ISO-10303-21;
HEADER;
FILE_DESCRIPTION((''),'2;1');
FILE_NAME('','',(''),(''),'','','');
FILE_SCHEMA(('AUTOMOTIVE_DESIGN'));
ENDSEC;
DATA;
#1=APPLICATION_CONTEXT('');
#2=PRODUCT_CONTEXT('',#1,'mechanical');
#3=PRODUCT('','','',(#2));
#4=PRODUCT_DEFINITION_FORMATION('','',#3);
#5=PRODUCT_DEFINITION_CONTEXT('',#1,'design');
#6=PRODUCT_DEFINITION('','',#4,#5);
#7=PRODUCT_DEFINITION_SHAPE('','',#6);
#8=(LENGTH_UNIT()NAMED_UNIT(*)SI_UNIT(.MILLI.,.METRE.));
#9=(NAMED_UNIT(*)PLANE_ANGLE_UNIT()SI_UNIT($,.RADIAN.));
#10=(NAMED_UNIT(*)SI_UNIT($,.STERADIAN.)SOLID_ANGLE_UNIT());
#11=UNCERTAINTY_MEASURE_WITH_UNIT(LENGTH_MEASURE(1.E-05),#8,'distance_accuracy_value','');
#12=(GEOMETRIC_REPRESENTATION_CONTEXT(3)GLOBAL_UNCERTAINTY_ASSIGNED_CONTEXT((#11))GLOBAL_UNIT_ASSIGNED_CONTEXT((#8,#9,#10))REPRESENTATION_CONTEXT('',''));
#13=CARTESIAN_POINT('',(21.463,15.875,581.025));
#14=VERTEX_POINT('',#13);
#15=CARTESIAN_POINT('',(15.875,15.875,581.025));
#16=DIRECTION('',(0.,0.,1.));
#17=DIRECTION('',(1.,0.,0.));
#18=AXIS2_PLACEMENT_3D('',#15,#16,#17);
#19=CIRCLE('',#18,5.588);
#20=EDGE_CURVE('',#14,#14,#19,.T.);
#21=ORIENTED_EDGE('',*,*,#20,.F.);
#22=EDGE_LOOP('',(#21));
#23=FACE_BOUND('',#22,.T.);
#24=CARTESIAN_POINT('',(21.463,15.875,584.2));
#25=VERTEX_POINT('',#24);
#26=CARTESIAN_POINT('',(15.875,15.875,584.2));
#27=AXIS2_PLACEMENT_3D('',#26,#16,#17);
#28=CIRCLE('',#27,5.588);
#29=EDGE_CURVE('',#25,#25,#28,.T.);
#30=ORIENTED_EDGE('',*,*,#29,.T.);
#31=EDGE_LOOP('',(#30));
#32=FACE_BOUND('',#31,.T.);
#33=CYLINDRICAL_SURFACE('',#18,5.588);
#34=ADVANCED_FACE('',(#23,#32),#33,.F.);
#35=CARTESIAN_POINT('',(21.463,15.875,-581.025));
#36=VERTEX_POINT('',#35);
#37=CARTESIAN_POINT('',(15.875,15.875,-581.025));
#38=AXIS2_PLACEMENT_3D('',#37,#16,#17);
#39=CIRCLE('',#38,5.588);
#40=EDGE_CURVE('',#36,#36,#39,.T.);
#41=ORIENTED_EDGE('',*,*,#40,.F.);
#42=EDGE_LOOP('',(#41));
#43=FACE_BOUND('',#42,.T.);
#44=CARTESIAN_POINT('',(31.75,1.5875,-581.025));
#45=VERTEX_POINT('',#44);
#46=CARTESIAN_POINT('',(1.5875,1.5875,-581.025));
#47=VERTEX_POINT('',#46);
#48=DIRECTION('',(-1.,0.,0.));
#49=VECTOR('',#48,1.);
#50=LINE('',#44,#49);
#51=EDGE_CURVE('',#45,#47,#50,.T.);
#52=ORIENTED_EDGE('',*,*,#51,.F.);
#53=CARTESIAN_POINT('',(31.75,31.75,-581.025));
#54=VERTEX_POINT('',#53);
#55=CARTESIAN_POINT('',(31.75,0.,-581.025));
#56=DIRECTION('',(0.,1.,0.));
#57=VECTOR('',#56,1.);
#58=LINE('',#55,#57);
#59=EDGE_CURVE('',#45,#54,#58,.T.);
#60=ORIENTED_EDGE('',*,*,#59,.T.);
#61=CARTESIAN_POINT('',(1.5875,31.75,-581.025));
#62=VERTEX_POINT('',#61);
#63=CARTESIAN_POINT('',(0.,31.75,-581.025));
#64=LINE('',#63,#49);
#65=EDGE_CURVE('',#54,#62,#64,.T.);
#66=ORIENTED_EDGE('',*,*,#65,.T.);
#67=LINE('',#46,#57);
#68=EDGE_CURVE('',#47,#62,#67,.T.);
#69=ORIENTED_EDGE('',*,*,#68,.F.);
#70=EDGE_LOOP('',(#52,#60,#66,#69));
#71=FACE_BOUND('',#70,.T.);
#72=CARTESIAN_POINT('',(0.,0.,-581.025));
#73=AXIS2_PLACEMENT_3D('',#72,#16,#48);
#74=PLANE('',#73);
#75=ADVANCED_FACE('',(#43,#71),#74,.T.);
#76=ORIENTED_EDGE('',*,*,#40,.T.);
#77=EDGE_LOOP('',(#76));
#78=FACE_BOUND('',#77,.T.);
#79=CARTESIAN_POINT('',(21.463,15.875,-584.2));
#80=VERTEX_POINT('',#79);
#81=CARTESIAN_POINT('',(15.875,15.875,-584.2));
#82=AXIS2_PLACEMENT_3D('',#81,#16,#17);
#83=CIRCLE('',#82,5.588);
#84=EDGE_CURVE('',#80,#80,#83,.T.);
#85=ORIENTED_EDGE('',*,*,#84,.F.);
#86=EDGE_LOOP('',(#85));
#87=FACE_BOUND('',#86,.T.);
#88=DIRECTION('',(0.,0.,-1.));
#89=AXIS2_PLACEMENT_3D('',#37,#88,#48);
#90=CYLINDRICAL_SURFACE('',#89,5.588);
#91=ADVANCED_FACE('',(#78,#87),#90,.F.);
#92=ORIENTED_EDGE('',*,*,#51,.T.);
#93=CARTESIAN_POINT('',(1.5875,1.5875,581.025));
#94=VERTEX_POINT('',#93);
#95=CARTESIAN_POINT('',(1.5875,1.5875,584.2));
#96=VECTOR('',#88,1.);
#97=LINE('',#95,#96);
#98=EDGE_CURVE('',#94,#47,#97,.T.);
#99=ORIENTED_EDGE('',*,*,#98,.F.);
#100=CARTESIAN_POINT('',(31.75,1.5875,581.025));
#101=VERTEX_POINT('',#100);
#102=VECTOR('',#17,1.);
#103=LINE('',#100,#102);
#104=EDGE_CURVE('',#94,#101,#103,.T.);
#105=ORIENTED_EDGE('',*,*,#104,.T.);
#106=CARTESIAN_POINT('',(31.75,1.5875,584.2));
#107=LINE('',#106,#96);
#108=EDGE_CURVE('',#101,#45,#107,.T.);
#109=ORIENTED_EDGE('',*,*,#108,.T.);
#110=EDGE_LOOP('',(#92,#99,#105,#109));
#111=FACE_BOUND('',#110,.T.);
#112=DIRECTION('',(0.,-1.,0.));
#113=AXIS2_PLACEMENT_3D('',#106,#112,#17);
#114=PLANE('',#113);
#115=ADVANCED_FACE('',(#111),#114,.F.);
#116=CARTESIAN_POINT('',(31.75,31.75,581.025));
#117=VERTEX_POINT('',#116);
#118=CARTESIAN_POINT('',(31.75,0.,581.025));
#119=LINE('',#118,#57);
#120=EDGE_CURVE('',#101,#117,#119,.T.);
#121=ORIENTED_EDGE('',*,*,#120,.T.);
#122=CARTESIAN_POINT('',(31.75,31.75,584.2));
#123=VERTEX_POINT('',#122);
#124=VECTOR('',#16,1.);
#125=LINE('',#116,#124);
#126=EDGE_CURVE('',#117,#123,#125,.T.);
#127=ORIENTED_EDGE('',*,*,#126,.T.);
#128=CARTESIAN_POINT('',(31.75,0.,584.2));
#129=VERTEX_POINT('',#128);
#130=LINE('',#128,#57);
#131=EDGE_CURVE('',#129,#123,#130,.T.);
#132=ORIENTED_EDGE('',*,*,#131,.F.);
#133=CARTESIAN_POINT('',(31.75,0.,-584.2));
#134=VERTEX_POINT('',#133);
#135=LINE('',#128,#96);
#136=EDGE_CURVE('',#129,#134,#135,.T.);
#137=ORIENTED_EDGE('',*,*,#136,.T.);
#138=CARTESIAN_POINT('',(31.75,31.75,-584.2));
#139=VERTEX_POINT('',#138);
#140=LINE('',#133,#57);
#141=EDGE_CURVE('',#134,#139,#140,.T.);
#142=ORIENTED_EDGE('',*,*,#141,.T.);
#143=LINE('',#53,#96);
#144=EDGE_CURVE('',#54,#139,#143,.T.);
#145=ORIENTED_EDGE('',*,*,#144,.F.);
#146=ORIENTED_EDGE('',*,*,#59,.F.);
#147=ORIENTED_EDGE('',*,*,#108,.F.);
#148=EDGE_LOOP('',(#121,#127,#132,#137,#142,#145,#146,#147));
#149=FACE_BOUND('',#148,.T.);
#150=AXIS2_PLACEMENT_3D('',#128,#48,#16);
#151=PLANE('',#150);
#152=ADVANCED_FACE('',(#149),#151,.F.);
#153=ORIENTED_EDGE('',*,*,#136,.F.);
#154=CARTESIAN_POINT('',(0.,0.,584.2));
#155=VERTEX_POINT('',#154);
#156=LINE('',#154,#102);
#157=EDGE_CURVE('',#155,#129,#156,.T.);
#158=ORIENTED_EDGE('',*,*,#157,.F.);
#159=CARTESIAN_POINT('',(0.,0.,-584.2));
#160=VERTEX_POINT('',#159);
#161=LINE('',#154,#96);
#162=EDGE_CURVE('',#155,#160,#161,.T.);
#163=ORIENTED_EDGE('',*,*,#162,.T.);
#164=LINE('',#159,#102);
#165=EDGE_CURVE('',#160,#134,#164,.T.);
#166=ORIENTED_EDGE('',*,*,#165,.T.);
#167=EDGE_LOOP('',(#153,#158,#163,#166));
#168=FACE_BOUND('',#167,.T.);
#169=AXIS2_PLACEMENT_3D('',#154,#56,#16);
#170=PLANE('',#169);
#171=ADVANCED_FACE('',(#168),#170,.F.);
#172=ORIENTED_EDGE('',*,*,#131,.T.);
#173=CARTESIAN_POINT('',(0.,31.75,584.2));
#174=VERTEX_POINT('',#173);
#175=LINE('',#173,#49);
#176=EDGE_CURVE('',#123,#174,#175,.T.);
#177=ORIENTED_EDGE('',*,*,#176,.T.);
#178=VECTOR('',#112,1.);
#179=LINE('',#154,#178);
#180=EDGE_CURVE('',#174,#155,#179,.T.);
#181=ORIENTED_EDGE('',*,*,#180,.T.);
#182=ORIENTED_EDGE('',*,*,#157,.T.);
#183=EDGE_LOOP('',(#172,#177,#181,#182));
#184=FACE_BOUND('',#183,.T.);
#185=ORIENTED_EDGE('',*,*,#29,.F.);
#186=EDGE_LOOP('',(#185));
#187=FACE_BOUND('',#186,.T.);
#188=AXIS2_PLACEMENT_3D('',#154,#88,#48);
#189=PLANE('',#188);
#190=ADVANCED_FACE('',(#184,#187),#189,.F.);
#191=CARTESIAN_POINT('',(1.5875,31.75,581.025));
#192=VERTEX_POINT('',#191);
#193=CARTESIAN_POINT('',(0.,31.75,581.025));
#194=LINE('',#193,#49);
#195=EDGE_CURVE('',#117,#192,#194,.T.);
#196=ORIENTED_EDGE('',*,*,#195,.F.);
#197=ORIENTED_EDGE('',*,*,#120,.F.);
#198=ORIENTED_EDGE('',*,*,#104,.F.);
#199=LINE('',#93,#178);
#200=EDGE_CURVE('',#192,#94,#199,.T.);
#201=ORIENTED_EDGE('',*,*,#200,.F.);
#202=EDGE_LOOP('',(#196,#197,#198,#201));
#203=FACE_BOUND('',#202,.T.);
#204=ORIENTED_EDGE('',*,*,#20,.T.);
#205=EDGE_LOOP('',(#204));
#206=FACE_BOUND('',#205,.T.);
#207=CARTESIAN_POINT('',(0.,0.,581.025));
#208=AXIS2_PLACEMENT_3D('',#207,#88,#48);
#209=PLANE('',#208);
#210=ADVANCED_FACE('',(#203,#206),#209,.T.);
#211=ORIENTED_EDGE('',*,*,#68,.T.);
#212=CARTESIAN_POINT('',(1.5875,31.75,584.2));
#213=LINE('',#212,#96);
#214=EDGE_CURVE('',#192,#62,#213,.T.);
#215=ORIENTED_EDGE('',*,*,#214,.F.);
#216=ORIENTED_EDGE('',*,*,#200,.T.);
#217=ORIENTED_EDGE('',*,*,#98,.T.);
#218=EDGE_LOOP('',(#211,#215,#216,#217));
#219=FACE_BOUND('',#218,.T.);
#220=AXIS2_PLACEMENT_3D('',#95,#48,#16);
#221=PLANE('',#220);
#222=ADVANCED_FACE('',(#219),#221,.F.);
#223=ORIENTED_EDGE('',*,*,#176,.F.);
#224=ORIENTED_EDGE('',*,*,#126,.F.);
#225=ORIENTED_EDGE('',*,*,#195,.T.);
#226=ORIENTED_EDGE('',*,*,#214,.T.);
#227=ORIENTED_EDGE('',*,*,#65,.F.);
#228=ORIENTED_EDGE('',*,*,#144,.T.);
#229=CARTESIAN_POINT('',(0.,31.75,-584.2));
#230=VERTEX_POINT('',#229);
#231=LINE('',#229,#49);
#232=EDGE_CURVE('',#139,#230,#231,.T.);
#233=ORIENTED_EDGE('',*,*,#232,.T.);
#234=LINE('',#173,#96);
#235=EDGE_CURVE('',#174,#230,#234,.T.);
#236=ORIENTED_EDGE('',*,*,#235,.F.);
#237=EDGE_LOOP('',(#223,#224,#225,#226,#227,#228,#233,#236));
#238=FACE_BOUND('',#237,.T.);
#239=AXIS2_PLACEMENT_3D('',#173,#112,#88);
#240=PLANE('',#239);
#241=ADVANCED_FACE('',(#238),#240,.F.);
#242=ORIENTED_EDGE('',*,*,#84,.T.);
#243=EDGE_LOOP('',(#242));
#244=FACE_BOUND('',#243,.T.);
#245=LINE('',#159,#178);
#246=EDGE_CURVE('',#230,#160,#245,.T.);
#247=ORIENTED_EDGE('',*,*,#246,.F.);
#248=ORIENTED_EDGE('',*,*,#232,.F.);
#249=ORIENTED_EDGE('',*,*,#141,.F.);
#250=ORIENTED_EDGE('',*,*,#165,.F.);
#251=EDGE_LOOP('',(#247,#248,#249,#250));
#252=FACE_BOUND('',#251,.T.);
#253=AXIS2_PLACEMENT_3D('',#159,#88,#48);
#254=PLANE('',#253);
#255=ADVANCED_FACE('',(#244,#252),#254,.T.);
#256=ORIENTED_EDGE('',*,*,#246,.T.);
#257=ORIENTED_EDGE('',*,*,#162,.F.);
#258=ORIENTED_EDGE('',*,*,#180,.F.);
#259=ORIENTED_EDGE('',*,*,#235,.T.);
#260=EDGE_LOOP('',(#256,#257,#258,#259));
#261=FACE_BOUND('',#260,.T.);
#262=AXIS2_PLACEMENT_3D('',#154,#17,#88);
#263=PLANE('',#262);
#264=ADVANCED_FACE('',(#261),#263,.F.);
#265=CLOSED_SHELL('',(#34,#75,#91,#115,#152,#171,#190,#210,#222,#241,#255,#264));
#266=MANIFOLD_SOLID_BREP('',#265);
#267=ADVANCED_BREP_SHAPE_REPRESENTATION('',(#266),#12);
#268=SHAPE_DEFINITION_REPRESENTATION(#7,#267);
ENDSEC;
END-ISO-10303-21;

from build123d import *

# Parameters (mm, degrees)
BOSS_EXTRUDE1_DEPTH = 584.2
BOSS_EXTRUDE2_START = 584.2
SKETCH2_W           = 31.75
SKETCH2_H           = 31.75
SKETCH2_R           = 5.588
BOSS_EXTRUDE2_DEPTH = 3.175


with BuildPart() as part:
    # Sketch1 → Boss-Extrude1 (new, symmetric)
    with BuildSketch(Plane.XY):
        Polygon((31.75, 1.5875), (1.5875, 1.5875), (1.5875, 31.75), (0, 31.75), (0, 0), (31.75, 0), align=None)
    extrude(amount=BOSS_EXTRUDE1_DEPTH, both=True)

    # Sketch2 → Boss-Extrude2 (add)
    with BuildSketch(Plane.XY.offset(BOSS_EXTRUDE2_START)):
        with Locations((15.875, 15.875)):
            Rectangle(SKETCH2_W, SKETCH2_H)
        with Locations((15.875, 15.875)):
            Circle(SKETCH2_R, mode=Mode.SUBTRACT)
    boss_extrude2 = extrude(amount=-BOSS_EXTRUDE2_DEPTH)

    # Mirror1: Boss-Extrude2 across plane
    add(boss_extrude2.mirror(Plane.XY))


solid = part.part
